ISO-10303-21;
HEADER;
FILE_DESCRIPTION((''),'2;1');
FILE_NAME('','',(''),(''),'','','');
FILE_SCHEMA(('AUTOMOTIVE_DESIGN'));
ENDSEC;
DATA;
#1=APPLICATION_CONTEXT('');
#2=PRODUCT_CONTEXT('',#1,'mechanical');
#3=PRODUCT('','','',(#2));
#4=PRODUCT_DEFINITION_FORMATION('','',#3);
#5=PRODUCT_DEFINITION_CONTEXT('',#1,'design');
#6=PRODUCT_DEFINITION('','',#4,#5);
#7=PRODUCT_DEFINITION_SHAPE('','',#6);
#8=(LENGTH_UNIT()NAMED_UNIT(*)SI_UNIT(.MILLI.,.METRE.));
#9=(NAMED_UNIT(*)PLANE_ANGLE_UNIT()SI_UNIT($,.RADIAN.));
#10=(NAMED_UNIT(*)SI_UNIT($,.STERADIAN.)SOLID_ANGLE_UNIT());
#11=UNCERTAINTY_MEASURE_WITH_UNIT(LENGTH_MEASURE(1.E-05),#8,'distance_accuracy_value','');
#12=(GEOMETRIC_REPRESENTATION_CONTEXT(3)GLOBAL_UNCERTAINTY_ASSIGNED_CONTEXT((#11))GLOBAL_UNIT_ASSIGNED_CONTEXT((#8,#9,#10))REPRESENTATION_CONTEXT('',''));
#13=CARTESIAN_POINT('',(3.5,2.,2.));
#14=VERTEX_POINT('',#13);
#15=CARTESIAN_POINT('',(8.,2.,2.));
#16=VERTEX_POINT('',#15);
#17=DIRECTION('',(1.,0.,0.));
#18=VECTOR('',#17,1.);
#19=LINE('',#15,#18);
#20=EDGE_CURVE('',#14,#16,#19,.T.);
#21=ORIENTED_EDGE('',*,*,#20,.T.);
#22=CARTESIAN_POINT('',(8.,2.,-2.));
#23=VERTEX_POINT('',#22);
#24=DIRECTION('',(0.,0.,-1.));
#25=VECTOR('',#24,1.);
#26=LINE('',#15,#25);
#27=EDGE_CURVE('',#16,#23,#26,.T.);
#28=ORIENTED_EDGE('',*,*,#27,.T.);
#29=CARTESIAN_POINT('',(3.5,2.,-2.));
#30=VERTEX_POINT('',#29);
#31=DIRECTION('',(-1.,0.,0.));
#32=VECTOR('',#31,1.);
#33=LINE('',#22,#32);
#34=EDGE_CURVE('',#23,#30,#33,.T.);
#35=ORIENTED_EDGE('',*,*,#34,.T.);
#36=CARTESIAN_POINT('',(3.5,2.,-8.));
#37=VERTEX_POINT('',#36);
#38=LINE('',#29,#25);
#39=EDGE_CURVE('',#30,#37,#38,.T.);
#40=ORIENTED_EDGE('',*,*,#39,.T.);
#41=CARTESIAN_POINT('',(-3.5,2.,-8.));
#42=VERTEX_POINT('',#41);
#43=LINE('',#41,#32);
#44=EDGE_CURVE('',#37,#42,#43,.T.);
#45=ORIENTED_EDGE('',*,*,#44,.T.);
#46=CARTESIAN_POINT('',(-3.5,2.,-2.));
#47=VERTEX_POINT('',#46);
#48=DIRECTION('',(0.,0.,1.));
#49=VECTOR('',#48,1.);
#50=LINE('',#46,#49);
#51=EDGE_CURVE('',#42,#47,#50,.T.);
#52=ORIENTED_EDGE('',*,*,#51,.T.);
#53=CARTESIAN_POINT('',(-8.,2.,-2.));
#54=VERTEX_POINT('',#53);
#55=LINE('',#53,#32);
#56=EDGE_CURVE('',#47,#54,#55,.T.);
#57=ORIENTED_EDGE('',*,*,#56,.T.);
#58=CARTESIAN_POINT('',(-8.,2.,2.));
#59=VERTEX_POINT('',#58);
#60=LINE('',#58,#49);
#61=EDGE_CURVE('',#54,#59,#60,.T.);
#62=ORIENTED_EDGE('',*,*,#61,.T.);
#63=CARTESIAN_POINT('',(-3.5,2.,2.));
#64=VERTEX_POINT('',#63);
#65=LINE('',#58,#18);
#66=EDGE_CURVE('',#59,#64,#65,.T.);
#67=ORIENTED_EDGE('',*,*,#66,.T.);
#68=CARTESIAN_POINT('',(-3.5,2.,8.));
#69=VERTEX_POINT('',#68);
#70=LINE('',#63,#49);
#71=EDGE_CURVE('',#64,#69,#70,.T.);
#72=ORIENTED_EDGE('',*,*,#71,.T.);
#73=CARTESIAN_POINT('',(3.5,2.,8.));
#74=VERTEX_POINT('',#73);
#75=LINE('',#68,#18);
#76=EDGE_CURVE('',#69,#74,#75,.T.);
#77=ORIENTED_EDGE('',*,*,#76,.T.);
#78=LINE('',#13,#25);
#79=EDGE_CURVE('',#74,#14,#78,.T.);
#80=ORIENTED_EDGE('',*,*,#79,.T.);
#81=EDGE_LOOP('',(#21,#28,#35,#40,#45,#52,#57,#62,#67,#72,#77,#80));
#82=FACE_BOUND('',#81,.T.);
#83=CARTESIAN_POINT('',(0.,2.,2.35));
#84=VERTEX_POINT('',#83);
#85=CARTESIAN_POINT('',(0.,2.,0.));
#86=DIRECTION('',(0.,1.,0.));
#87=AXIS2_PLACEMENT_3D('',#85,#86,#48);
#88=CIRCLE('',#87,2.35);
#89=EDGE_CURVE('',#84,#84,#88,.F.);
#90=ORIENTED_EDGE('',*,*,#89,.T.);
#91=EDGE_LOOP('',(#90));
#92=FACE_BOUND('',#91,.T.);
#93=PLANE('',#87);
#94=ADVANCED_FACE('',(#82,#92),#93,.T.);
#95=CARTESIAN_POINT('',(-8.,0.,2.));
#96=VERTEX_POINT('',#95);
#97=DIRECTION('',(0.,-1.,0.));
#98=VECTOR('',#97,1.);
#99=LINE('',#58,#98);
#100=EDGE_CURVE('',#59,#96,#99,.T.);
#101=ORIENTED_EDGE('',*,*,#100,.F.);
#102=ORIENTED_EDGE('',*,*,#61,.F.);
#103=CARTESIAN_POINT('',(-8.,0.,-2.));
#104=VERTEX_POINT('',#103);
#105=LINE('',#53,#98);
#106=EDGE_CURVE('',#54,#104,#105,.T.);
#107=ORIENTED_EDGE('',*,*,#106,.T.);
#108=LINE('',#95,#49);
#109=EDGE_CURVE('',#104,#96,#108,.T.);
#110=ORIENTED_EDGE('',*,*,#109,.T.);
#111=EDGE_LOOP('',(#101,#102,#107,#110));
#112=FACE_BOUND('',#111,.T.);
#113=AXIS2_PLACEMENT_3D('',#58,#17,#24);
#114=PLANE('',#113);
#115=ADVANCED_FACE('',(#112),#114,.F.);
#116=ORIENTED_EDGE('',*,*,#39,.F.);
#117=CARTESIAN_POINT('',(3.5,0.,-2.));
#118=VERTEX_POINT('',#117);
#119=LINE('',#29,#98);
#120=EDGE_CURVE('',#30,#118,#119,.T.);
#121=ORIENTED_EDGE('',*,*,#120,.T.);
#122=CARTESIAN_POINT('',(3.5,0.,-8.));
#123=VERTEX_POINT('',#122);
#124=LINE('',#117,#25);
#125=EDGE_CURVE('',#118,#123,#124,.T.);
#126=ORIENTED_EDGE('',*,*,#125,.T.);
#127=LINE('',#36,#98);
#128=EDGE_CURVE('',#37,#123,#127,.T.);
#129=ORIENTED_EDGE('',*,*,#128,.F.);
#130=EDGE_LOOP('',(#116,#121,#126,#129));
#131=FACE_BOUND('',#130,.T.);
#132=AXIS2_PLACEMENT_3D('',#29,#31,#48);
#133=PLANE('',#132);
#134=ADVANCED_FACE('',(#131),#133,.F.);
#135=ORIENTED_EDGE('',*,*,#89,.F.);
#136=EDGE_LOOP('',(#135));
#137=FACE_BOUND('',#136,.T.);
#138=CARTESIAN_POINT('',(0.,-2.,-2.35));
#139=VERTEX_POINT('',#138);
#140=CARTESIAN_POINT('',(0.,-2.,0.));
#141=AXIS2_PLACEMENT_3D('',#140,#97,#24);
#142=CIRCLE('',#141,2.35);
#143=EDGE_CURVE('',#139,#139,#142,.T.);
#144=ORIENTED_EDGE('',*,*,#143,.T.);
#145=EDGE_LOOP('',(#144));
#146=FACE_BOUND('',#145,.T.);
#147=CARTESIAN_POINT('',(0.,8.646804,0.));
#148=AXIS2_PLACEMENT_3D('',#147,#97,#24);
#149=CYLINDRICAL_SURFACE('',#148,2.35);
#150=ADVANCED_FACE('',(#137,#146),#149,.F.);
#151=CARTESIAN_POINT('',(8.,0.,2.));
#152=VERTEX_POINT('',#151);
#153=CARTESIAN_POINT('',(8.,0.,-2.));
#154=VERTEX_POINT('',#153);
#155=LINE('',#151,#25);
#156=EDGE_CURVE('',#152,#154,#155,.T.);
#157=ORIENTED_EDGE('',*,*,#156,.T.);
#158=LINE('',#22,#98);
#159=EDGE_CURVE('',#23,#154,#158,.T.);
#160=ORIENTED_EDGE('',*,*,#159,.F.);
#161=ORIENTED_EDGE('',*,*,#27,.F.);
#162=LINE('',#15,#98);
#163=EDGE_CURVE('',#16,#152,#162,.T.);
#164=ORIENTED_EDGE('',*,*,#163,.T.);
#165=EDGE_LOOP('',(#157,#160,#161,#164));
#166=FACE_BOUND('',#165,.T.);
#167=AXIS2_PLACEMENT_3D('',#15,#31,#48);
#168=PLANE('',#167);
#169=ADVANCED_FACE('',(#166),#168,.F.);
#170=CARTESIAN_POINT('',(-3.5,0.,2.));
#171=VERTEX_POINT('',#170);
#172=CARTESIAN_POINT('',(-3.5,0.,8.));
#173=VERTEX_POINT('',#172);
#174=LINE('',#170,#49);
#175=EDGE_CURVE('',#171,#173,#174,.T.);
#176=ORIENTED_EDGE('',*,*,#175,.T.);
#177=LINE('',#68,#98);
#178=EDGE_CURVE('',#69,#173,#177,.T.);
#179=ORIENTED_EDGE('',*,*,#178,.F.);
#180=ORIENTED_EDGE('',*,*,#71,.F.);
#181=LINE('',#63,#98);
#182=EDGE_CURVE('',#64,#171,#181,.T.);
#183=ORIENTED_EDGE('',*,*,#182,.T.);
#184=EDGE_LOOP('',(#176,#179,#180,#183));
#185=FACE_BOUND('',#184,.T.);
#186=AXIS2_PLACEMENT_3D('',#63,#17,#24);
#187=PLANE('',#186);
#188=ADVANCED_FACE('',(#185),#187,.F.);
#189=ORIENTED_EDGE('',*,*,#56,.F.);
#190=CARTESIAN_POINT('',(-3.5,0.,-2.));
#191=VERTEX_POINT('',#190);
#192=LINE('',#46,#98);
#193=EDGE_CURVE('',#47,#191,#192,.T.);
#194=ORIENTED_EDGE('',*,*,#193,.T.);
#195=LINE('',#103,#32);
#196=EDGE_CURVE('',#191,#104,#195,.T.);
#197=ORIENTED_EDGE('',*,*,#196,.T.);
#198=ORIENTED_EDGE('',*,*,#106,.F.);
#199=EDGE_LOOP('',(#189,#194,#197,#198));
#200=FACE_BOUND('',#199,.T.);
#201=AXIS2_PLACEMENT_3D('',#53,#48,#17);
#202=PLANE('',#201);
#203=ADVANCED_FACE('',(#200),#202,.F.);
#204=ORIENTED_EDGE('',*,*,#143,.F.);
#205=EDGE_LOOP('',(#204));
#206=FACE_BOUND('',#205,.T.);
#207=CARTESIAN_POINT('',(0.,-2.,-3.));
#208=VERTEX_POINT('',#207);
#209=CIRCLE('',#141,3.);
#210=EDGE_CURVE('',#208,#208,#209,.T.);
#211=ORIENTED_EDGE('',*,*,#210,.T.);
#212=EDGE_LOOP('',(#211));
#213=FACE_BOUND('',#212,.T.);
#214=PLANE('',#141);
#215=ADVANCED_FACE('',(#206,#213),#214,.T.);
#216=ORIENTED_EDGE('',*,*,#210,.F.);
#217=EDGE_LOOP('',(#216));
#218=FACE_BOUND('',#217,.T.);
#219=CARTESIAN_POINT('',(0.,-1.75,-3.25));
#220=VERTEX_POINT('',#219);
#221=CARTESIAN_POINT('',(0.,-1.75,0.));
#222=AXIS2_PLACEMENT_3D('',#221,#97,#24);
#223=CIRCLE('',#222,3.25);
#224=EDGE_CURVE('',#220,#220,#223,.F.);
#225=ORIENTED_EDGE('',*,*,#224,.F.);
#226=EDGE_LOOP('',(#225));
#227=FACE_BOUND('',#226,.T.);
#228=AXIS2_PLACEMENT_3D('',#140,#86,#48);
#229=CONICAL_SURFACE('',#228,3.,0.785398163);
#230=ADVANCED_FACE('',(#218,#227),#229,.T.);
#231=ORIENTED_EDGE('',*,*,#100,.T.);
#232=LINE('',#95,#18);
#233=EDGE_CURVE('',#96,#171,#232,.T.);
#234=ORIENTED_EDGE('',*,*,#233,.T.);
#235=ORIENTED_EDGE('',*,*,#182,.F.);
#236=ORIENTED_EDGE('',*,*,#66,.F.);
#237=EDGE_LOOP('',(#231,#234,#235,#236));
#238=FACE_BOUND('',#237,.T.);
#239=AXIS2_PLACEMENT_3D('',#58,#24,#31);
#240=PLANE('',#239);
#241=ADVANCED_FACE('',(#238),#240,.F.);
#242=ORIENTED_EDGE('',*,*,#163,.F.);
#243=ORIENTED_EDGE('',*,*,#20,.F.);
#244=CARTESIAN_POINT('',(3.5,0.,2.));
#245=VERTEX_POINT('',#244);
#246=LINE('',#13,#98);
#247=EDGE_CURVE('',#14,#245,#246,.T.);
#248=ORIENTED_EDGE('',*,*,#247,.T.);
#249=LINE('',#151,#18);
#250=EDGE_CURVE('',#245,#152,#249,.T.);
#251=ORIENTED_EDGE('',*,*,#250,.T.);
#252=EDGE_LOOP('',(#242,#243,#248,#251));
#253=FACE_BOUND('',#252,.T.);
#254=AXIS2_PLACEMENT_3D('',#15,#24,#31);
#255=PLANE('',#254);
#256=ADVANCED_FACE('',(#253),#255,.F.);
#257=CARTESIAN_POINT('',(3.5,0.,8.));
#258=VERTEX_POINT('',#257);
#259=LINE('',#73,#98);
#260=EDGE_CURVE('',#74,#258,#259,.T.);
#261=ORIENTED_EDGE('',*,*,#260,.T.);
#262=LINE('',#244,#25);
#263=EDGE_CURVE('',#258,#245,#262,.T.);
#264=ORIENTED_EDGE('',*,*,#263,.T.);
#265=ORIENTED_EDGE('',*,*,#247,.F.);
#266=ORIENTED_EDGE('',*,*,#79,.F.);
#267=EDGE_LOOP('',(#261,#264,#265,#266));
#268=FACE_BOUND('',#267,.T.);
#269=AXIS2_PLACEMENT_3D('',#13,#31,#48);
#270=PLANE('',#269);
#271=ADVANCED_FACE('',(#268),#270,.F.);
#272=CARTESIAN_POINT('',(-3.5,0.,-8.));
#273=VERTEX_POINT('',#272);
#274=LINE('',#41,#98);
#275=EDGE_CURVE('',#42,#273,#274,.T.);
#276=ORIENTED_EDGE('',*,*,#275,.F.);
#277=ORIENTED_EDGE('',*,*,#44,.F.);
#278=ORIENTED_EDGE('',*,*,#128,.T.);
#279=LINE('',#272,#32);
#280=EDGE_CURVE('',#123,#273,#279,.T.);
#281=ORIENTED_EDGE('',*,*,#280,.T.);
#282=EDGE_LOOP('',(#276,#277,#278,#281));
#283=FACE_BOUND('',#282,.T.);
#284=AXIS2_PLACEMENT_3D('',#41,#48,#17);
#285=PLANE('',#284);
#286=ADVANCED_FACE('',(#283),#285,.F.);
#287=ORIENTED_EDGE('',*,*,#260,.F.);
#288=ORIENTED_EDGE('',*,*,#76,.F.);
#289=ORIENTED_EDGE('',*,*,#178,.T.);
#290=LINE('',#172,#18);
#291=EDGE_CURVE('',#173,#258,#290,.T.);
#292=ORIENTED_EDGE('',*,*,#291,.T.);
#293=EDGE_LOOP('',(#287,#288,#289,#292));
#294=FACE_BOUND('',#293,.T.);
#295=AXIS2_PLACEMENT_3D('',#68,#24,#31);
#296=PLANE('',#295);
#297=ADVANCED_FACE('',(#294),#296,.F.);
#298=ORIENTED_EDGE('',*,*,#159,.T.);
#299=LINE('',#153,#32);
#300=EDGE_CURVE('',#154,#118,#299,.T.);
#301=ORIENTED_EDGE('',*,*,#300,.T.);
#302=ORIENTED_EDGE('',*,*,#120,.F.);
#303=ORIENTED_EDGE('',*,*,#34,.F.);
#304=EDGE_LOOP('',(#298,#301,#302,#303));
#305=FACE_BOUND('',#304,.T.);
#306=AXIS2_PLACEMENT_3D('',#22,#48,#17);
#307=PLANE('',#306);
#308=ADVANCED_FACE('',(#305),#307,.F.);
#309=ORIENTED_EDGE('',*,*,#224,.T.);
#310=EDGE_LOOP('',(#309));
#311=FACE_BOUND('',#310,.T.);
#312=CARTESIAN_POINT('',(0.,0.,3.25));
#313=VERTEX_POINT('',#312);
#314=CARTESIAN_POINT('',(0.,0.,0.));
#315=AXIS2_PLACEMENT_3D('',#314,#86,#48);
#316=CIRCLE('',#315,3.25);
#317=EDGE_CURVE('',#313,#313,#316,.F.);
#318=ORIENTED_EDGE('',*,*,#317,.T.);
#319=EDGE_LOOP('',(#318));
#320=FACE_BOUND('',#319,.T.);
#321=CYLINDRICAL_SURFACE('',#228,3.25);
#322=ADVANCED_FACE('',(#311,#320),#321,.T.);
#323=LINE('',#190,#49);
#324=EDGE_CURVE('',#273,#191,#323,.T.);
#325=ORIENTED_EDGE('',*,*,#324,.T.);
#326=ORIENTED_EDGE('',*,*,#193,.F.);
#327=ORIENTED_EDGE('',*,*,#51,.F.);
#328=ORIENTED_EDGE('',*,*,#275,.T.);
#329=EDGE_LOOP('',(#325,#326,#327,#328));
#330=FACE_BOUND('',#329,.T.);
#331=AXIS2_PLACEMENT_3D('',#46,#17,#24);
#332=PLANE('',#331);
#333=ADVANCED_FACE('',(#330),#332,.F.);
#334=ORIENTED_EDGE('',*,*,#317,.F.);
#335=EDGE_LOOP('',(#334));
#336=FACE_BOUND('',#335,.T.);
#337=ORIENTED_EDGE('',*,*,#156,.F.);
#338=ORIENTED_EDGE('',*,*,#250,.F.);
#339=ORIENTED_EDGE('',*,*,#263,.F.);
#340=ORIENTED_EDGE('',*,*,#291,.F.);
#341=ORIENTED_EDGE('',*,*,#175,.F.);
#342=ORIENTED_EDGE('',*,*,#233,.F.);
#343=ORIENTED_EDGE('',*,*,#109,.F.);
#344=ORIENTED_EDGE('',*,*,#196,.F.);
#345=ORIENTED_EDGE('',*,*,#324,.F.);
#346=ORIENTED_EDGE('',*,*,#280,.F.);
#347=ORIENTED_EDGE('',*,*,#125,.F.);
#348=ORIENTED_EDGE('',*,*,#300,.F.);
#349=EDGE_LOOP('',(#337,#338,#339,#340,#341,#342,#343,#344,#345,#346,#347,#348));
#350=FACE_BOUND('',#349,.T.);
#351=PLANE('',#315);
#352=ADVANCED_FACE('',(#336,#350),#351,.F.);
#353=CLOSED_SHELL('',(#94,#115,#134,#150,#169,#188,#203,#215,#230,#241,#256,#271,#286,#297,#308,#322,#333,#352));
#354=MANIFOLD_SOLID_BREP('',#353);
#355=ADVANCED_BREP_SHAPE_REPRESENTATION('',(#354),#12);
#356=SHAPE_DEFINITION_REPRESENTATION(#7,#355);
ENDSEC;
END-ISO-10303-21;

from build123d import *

# Parameters (mm, degrees)
GRUNDPLATTE_KREUZ_DEPTH         = 2
MITTELBOHRUNG_DEPTH             = 12.489125293
MITTELBOHRUNG_DEPTH_BACK        = 12.489125293
SKIZZE11_R                      = 1.25
SKIZZE12_R                      = 3.25
AUFSATZ_LINEAR_AUSTRAGEN2_DEPTH = 2
FASE1_SIZE                      = 0.25
SKIZZE13_R                      = 2.35
SCHNITT_LINEAR_AUSTRAGEN1_DEPTH = 4


with BuildPart() as part:
    # Skizze4 → Grundplatte Kreuz (new body)
    with BuildSketch(Plane(origin=(0, 0, 0), x_dir=(1, 0, 0), z_dir=(0, 1, 0))):
        Polygon((-8, -2), (-8, 2), (-3.5, 2), (-3.5, 8), (3.5, 8), (3.5, 2), (8, 2), (8, -2), (3.5, -2), (3.5, -8), (-3.5, -8), (-3.5, -2), align=None)
    extrude(amount=GRUNDPLATTE_KREUZ_DEPTH)

    # Skizze11 → Mittelbohrung (cut, two sides: drawn at the far end of the back side and taken through both)
    with BuildSketch(Plane(origin=(0, 0, 0), x_dir=(1, 0, 0), z_dir=(0, 1, 0)).offset(-MITTELBOHRUNG_DEPTH_BACK)):
        with Locations(Location((0, 0, 0), (0, 0, 270))):
            Circle(SKIZZE11_R)
    extrude(amount=MITTELBOHRUNG_DEPTH + MITTELBOHRUNG_DEPTH_BACK, mode=Mode.SUBTRACT)

    # Skizze12 → Aufsatz-Linear austragen2 (add)
    with BuildSketch(Plane.XZ):
        with Locations(Location((0, 0, 0), (0, 0, 90))):
            Circle(SKIZZE12_R)
    extrude(amount=AUFSATZ_LINEAR_AUSTRAGEN2_DEPTH)

    # Fase1
    fase1_edges = [part.edges().sort_by_distance(p)[0] for p in [
        (0, -2, -3.25),
    ]]
    chamfer(fase1_edges, length=FASE1_SIZE)

    # Skizze13 → Schnitt-Linear austragen1 (cut)
    with BuildSketch(Plane.XZ.offset(2)):
        with Locations(Location((0, 0, 0), (0, 0, 270))):
            Circle(SKIZZE13_R)
    extrude(amount=-SCHNITT_LINEAR_AUSTRAGEN1_DEPTH, mode=Mode.SUBTRACT)


solid = part.part
